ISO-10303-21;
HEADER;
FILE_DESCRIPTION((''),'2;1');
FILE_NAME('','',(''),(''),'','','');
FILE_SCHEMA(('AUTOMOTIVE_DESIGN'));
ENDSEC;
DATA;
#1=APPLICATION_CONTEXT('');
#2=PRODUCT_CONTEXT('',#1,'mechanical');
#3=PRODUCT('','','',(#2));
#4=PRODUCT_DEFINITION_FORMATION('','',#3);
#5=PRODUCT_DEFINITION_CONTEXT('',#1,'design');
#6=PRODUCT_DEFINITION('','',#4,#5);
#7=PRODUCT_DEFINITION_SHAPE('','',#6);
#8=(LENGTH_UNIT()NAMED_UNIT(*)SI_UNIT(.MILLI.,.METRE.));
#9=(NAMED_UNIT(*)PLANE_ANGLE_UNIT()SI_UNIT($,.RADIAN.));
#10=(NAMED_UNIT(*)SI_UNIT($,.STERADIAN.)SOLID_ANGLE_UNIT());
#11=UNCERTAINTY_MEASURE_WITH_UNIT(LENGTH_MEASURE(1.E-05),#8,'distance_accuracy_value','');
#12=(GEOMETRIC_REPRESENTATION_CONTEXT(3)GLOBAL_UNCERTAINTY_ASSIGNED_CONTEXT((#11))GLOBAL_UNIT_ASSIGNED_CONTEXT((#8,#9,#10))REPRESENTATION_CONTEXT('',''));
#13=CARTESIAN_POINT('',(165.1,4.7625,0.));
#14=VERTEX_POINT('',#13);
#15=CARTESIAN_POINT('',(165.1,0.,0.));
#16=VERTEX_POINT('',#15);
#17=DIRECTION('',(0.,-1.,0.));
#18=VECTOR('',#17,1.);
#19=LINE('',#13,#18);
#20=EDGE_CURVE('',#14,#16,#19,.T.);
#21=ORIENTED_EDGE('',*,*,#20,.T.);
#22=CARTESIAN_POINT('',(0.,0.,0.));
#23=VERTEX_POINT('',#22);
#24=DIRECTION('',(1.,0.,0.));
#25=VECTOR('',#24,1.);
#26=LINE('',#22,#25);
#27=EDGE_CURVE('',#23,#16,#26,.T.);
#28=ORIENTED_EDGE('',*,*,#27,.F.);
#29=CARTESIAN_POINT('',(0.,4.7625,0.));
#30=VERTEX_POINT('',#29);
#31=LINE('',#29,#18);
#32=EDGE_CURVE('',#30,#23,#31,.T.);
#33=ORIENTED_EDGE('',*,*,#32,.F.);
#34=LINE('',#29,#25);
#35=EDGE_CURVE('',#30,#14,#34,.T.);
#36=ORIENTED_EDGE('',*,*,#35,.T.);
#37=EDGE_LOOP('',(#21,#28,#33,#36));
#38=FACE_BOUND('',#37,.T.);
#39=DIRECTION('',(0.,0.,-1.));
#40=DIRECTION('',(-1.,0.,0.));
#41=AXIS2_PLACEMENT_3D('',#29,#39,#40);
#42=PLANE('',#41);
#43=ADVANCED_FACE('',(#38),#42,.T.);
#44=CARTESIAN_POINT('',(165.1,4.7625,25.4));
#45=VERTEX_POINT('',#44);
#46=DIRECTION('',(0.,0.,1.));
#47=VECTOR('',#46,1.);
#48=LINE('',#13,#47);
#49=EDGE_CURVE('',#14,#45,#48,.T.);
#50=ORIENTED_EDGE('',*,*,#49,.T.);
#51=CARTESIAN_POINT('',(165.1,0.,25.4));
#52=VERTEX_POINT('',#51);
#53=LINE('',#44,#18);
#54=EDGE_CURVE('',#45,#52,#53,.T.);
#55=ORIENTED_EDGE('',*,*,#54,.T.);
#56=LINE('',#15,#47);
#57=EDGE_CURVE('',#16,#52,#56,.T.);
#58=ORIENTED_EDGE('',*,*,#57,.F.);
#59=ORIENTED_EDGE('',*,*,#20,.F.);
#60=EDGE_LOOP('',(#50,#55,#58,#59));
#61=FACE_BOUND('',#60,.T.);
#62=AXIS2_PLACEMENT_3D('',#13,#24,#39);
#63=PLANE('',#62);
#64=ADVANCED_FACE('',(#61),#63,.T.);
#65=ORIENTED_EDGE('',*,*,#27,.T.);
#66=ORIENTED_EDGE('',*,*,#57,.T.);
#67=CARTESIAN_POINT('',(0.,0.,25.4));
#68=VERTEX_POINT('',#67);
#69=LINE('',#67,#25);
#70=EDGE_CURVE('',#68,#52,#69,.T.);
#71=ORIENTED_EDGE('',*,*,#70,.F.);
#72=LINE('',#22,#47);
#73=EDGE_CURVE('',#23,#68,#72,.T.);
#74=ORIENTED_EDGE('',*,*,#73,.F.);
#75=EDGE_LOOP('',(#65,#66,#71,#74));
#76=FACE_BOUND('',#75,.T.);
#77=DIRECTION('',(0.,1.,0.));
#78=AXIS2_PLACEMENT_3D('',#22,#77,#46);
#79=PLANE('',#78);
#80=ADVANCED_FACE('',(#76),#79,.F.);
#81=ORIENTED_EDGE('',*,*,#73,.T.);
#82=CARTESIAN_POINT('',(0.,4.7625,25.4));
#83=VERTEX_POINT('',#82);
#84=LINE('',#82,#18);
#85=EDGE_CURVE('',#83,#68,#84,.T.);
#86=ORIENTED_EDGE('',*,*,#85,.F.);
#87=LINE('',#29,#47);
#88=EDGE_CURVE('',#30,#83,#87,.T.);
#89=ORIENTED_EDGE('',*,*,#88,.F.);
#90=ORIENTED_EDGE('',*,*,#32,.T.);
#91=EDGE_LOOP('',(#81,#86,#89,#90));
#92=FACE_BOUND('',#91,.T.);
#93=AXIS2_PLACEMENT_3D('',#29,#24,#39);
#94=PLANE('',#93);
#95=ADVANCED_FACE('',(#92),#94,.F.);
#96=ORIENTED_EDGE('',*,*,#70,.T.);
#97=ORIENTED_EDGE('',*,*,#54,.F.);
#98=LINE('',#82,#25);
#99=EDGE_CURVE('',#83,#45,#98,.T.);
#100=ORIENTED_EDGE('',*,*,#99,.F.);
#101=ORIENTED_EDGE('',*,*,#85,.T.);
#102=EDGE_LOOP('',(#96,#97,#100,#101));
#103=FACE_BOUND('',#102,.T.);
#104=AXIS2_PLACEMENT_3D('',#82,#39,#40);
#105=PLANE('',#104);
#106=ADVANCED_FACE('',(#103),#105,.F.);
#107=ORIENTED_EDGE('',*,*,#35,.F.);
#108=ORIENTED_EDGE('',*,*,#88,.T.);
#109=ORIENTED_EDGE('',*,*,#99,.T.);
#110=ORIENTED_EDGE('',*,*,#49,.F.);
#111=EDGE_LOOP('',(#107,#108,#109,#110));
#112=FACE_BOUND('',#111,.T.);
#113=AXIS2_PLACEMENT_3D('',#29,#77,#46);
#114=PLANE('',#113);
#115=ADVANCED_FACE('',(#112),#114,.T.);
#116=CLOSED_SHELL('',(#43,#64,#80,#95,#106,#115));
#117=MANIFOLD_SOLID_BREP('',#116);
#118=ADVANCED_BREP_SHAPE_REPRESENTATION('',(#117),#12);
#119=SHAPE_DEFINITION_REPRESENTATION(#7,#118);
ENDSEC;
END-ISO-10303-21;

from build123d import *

# Parameters (mm, degrees)
SKETCH1_W           = 165.1
SKETCH1_H           = 25.4
BOSS_EXTRUDE1_DEPTH = 4.7625


with BuildPart() as part:
    # Sketch1 → Boss-Extrude1 (new body)
    with BuildSketch(Plane(origin=(0, 0, 0), x_dir=(1, 0, 0), z_dir=(0, 1, 0))):
        with Locations((82.55, -12.7)):
            Rectangle(SKETCH1_W, SKETCH1_H)
    extrude(amount=BOSS_EXTRUDE1_DEPTH)


solid = part.part
